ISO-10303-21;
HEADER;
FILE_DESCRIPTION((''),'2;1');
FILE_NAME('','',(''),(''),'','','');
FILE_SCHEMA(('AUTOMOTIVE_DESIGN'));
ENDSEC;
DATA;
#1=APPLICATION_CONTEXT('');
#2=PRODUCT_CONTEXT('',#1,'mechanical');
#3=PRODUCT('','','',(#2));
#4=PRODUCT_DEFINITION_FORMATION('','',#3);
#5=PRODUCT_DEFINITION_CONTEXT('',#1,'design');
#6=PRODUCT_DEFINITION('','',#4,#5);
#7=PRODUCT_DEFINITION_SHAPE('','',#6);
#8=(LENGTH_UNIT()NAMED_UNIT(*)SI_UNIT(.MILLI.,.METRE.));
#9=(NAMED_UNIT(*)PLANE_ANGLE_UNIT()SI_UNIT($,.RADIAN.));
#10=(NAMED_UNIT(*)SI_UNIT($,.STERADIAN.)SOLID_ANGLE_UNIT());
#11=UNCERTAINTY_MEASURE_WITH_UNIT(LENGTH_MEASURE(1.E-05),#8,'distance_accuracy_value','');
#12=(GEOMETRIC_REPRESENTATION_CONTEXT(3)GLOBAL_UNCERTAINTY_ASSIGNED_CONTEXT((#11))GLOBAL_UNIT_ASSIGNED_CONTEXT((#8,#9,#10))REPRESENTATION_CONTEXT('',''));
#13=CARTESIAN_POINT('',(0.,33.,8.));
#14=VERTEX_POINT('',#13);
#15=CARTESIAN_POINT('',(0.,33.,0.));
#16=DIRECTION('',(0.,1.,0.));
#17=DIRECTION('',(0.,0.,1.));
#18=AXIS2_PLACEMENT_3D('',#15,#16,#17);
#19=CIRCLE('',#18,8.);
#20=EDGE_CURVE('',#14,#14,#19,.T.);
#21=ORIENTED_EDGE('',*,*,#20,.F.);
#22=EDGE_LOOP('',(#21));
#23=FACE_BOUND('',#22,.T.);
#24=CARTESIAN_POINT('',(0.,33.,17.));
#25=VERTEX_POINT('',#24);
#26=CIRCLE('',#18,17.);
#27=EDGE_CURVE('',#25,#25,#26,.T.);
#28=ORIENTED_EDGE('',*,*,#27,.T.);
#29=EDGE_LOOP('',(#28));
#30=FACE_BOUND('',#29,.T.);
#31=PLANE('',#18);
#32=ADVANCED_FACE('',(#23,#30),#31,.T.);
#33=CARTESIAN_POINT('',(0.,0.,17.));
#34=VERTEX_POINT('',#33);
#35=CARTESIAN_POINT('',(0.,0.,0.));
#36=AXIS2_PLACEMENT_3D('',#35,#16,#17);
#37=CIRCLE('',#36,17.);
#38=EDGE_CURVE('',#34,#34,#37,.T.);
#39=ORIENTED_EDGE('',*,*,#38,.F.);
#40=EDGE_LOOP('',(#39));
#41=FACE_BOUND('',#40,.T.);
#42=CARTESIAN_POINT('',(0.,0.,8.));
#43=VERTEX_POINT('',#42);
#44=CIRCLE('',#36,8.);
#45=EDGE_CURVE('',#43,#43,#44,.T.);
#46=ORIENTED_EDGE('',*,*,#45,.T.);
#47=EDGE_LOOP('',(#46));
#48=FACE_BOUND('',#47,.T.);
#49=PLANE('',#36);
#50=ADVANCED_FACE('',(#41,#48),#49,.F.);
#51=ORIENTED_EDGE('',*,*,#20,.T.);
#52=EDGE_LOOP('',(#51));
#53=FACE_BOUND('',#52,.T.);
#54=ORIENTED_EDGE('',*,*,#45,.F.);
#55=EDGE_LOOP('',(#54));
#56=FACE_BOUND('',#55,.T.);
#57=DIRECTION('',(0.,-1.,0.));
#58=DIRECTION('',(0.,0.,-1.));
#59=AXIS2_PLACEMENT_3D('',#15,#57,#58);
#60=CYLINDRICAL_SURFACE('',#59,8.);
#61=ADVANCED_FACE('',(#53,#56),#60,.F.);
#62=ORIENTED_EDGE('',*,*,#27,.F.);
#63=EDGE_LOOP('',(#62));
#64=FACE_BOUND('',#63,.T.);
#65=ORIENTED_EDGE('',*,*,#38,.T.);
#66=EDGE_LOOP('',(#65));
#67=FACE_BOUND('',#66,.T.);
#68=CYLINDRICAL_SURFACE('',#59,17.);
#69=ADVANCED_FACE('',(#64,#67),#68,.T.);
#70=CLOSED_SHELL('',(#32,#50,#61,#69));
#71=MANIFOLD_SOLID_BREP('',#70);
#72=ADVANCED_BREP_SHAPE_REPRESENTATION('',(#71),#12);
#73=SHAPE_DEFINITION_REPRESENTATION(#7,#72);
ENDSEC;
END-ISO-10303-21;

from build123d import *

# Parameters (mm, degrees)
SKETCH_1_R      = 17
SKETCH_1_R_2    = 8
EXTRUDE_1_DEPTH = 33


with BuildPart() as part:
    # 草图1 → 凸台-拉伸1 (new body)
    with BuildSketch(Plane(origin=(0, 0, 0), x_dir=(1, 0, 0), z_dir=(0, 1, 0))):
        with Locations(Location((0, 0, 0), (0, 0, 270))):
            Circle(SKETCH_1_R)
        with Locations(Location((0, 0, 0), (0, 0, 270))):
            Circle(SKETCH_1_R_2, mode=Mode.SUBTRACT)
    extrude(amount=EXTRUDE_1_DEPTH)


solid = part.part
